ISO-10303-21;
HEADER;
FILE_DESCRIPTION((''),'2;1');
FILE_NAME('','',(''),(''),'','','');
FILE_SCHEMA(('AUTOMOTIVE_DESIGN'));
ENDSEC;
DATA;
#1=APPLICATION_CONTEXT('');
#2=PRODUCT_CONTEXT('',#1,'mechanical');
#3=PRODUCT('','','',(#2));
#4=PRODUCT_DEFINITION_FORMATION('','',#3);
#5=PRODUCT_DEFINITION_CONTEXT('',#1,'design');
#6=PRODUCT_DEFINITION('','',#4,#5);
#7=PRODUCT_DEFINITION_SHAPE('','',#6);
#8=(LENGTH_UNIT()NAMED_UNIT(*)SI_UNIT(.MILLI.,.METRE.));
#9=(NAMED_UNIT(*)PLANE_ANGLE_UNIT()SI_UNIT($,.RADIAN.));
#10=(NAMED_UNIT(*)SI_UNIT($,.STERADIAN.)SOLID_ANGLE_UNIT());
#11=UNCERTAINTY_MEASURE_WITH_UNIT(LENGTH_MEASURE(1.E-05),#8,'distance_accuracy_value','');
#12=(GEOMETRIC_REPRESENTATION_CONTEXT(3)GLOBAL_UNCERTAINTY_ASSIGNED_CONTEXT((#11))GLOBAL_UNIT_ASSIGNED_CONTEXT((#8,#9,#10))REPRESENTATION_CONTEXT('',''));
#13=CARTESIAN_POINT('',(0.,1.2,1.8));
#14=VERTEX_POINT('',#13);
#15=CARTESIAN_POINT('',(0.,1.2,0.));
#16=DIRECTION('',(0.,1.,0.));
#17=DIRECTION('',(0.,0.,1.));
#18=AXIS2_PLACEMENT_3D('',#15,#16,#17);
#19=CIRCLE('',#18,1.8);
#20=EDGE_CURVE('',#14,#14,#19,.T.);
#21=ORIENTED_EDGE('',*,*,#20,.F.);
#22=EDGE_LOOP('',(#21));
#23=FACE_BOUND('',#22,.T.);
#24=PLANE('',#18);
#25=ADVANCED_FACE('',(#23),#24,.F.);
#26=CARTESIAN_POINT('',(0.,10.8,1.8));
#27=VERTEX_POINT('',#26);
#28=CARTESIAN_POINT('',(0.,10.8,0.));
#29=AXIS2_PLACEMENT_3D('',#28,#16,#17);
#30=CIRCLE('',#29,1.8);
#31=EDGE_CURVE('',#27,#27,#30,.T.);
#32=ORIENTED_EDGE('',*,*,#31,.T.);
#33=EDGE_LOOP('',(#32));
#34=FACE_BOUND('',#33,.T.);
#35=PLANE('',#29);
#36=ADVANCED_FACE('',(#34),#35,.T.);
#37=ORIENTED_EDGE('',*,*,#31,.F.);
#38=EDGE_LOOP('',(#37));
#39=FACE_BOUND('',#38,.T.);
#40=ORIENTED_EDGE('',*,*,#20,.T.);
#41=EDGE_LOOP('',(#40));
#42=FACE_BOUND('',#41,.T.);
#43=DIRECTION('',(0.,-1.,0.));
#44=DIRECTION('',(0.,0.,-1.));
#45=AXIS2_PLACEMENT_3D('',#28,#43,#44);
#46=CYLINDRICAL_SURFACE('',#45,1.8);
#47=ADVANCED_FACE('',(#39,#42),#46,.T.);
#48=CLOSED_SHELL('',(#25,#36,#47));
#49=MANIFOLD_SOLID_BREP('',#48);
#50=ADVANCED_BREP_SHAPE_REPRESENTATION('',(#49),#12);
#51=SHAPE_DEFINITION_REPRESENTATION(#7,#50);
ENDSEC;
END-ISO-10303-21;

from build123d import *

# Parameters (mm, degrees)
SKETCH1_R           = 2.25
BOSS_EXTRUDE1_DEPTH = 12
SCALE1_SCALE        = 0.8


with BuildPart() as part:
    # Sketch1 → Boss-Extrude1 (new body)
    with BuildSketch(Plane(origin=(0, 0, 0), x_dir=(1, 0, 0), z_dir=(0, 1, 0))):
        with Locations(Location((0, 0, 0), (0, 0, 270))):
            Circle(SKETCH1_R)
    extrude(amount=BOSS_EXTRUDE1_DEPTH)


with BuildPart() as part_1:
    # Scale1: scaled about (0, 6, 0)
    add(part.part.scale(SCALE1_SCALE).moved(Location((0, 1.2, 0))))


solid = part_1.part
